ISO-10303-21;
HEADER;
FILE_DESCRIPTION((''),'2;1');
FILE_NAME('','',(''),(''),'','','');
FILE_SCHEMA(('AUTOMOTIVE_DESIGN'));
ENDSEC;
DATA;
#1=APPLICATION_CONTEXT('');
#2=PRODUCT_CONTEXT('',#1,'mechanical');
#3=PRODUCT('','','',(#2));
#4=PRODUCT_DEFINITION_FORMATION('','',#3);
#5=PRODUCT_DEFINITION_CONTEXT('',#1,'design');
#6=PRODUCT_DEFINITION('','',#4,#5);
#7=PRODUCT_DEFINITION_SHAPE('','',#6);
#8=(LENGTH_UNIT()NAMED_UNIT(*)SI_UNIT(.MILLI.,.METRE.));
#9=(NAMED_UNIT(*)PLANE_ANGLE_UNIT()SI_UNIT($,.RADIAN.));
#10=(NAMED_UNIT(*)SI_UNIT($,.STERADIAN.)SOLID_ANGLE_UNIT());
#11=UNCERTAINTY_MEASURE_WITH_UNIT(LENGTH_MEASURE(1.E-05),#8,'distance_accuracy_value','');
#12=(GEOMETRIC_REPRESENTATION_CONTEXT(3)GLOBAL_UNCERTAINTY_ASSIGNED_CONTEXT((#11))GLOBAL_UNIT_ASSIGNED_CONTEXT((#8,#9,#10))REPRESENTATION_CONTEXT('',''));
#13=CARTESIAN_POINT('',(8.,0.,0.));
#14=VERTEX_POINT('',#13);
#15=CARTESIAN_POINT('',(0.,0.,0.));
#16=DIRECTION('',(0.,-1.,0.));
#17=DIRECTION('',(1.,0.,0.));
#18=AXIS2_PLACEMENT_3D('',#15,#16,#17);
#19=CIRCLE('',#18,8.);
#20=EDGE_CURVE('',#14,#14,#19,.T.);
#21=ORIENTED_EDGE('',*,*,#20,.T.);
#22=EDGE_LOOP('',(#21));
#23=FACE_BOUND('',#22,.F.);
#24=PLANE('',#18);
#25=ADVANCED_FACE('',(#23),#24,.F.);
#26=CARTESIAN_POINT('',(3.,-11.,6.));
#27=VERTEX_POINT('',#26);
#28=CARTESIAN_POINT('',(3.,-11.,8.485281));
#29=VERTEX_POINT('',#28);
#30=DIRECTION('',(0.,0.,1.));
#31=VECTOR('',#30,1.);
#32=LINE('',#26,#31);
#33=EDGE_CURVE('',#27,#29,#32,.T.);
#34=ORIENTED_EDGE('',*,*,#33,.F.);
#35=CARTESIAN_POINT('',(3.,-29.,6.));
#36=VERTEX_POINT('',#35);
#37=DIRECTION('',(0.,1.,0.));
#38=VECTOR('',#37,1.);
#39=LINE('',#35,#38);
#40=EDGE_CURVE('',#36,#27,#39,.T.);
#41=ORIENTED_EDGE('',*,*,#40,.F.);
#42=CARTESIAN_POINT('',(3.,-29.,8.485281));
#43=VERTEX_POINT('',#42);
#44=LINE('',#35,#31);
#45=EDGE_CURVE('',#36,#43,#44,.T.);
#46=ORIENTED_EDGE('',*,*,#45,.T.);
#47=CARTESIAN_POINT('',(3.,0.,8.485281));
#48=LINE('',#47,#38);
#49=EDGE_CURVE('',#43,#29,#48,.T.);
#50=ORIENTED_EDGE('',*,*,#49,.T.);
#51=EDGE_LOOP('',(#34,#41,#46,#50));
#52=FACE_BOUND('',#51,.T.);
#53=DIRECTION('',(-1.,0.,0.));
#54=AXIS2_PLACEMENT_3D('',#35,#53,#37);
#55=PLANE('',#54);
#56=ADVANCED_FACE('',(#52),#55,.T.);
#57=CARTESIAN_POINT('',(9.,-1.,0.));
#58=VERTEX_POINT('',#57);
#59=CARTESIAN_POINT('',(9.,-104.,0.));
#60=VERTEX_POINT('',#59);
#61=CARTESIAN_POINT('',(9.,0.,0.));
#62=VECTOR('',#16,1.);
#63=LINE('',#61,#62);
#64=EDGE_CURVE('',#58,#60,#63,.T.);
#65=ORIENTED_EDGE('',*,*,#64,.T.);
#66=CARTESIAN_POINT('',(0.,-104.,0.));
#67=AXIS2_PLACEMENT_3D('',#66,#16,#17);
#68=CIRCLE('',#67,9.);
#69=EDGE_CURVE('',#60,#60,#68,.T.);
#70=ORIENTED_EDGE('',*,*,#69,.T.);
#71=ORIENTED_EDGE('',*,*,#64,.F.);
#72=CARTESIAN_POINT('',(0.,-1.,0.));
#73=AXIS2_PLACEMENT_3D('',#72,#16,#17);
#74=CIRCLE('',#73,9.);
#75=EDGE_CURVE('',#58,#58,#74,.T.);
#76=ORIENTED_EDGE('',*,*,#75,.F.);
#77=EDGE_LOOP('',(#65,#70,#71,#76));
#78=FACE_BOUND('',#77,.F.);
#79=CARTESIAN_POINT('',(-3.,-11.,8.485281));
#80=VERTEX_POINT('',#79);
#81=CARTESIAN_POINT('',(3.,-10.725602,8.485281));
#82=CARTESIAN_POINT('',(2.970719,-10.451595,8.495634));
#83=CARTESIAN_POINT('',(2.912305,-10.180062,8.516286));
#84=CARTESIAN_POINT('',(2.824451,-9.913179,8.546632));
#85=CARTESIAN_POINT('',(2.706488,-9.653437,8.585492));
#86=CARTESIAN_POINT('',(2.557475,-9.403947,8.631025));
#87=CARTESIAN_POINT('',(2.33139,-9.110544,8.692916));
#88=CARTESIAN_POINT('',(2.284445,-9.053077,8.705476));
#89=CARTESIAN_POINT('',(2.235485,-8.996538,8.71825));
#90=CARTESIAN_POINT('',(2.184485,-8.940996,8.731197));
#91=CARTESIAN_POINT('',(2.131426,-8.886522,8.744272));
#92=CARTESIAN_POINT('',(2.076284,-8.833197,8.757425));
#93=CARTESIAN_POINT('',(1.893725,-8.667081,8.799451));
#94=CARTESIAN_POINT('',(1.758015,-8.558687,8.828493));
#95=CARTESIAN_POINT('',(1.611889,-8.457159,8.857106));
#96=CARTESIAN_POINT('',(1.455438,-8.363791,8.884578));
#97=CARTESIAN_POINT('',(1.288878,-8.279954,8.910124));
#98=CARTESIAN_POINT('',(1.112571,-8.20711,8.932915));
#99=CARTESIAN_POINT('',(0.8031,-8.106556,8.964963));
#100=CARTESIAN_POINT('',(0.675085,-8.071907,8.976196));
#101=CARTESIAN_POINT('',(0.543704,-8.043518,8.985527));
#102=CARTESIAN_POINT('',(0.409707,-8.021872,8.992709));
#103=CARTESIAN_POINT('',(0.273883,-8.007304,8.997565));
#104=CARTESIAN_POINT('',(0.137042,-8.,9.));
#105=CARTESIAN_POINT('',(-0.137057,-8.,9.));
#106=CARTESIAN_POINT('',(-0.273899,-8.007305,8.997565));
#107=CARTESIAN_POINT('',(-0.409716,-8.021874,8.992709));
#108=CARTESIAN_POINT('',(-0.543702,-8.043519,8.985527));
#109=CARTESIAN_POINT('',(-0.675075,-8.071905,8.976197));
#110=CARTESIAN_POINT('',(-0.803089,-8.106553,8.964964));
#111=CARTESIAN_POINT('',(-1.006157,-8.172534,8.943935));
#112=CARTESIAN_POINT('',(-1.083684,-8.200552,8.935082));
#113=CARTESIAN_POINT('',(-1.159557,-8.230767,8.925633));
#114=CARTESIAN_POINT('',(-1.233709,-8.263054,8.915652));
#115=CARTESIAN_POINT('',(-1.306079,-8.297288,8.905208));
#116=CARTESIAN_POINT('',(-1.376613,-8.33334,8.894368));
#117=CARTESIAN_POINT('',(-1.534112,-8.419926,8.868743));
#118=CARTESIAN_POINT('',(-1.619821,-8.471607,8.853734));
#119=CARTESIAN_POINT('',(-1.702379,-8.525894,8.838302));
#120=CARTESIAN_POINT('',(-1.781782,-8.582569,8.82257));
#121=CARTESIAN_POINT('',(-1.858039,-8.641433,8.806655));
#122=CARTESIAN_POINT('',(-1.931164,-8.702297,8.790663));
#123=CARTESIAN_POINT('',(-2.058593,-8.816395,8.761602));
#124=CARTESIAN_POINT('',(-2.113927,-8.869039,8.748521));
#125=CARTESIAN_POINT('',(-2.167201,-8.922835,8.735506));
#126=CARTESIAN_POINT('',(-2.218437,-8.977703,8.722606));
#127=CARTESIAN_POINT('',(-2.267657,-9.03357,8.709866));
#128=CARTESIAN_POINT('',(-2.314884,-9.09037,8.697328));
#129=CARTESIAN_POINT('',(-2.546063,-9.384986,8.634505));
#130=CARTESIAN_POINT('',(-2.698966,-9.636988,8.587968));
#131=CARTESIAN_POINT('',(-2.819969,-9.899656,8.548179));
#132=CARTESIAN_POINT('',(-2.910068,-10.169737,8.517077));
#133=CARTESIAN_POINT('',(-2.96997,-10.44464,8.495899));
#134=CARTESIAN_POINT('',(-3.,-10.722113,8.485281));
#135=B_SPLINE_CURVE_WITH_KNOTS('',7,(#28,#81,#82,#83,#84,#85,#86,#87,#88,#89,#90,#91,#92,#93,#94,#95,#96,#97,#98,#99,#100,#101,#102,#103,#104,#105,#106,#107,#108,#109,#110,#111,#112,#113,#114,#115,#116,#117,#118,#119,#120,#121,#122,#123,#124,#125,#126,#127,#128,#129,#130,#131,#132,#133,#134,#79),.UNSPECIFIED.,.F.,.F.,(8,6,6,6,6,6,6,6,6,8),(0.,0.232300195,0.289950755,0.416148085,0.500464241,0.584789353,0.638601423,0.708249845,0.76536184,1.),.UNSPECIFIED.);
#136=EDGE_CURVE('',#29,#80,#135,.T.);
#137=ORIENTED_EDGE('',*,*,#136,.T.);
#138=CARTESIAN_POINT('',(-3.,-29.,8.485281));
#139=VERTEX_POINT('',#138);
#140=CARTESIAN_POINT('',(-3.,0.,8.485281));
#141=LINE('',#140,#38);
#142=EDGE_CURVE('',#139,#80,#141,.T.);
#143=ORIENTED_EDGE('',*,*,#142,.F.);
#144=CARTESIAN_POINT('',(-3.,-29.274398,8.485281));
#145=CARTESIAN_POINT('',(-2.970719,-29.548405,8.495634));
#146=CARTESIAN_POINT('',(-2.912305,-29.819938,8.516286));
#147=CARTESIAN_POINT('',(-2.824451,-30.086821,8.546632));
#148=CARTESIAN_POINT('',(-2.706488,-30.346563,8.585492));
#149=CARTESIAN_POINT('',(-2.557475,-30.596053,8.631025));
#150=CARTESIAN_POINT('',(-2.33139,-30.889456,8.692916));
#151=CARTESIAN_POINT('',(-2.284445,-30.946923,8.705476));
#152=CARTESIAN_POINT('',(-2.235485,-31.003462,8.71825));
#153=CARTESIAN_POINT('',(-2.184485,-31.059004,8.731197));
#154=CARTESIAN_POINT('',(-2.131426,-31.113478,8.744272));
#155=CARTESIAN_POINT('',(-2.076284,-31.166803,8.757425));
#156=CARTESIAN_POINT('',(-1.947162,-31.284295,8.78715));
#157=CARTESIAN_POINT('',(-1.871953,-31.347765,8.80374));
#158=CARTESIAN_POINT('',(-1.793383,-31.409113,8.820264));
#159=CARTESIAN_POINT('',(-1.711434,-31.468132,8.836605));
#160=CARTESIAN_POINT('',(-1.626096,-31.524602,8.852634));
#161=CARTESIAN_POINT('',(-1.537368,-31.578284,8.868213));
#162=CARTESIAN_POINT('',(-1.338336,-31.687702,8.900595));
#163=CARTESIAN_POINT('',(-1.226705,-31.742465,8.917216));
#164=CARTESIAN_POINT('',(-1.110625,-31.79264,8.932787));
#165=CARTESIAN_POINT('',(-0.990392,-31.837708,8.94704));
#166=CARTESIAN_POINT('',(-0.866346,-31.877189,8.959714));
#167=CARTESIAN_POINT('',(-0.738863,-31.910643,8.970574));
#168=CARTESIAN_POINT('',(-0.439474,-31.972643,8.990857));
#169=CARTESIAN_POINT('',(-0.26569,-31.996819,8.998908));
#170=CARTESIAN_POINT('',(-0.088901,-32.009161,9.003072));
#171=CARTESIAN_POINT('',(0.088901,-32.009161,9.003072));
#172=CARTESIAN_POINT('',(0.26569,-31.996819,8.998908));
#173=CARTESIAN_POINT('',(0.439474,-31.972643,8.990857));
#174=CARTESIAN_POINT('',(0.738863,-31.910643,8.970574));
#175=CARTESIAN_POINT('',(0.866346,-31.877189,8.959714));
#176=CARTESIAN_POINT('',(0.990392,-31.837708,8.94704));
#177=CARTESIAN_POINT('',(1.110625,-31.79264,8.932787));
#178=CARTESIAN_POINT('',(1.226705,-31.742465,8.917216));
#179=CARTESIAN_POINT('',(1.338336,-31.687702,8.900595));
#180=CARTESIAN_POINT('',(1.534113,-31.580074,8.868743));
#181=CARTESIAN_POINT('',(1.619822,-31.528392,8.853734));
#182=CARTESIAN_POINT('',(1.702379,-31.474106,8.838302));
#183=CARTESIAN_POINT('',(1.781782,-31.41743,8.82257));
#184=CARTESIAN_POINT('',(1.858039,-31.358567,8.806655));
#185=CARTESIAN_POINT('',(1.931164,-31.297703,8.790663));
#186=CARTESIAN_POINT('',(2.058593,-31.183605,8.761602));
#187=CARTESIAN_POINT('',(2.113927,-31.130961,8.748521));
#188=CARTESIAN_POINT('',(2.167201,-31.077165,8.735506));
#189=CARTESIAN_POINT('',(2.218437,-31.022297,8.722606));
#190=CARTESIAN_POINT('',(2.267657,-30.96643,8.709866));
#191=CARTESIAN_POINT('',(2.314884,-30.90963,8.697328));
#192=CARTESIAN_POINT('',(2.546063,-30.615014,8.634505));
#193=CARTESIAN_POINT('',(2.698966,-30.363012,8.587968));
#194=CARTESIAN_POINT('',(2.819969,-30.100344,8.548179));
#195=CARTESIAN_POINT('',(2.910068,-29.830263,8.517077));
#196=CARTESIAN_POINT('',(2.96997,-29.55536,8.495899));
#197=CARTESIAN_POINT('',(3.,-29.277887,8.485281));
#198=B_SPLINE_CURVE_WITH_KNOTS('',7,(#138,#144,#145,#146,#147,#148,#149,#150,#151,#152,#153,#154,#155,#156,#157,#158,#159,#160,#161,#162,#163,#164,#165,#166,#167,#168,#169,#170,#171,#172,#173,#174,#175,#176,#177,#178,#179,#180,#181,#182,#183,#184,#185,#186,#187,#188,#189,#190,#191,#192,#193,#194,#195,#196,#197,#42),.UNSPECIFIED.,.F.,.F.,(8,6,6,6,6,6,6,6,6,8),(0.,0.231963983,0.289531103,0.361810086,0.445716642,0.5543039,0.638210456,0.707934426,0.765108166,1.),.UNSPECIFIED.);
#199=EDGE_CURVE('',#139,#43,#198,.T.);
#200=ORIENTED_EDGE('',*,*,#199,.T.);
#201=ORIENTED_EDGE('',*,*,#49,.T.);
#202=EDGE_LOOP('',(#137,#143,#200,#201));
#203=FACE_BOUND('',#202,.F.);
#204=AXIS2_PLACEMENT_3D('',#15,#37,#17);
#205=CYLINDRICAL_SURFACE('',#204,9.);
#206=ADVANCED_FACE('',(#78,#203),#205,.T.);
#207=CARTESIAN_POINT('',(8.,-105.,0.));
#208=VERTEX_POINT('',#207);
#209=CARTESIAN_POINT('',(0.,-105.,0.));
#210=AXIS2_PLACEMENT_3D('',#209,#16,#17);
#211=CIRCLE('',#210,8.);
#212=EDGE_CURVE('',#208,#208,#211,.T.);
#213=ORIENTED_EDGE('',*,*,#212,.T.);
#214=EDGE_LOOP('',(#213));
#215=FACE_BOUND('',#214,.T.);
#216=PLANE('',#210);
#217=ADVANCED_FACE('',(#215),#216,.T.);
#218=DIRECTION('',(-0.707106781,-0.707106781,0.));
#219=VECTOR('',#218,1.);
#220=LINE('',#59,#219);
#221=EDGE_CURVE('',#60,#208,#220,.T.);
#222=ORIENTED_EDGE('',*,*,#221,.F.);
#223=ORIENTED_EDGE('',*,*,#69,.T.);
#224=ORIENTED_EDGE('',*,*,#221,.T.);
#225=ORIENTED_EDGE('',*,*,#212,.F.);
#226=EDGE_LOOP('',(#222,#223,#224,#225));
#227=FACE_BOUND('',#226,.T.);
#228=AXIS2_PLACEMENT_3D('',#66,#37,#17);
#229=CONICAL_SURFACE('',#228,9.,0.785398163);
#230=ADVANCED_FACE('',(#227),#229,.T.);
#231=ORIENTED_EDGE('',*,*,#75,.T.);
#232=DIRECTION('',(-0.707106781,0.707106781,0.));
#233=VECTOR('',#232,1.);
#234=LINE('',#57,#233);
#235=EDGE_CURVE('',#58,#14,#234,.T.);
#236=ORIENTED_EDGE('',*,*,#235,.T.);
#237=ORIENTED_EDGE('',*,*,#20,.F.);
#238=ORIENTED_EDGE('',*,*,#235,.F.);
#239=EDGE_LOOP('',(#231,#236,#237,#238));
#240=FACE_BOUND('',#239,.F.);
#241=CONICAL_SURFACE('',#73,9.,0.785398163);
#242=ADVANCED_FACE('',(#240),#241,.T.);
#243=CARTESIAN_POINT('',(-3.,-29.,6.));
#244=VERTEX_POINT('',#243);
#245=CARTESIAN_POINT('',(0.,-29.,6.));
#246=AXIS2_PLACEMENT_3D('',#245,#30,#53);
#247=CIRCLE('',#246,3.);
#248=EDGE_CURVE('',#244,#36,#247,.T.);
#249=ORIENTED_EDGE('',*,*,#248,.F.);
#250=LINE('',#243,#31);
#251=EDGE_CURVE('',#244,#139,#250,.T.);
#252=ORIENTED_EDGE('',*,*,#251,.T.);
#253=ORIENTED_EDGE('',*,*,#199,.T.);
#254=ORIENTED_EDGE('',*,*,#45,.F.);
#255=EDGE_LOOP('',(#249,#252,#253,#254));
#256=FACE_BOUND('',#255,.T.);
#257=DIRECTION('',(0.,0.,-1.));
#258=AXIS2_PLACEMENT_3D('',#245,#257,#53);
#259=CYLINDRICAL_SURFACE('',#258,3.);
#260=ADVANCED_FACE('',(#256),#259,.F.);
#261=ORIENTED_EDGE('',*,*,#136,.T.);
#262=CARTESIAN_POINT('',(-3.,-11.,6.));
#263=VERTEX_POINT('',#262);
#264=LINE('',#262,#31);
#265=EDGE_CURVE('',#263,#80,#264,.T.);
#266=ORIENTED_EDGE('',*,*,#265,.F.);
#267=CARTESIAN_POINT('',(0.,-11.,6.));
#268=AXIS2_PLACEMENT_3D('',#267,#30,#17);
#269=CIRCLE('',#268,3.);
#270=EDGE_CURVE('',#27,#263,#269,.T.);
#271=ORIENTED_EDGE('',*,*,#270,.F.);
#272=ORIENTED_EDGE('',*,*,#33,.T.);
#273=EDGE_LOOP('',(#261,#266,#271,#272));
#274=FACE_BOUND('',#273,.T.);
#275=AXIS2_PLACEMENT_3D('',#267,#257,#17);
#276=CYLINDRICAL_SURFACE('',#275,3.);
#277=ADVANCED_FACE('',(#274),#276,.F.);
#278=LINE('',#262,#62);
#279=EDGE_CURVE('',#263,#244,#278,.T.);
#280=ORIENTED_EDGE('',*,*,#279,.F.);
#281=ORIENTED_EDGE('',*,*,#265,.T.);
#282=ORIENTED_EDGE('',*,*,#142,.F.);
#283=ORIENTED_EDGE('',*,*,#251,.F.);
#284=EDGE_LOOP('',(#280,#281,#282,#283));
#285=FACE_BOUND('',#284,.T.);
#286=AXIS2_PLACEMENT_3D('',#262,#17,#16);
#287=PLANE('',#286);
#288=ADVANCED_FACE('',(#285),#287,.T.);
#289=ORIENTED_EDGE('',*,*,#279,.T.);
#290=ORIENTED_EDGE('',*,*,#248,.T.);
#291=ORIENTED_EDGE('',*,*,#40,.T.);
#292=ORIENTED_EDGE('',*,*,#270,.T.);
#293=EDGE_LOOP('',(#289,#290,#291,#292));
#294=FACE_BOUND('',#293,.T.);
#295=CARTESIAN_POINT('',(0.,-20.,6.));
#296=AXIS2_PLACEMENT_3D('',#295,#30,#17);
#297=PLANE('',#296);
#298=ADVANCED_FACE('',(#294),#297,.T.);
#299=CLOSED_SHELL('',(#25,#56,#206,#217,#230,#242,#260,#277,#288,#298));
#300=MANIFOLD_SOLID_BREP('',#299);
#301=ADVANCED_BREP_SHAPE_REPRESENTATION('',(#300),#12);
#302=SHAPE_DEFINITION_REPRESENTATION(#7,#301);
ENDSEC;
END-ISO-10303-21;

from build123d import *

# Parameters (mm, degrees)
F0_R     = 9
F1_DEPTH = 105
F2_SIZE  = 1
F5_DEPTH = 25


with BuildPart() as f1:
    # F0 (on Front) → F1 (new body)
    with BuildSketch(Plane.XZ):
        Circle(F0_R)
    extrude(amount=F1_DEPTH)

    # F2
    f2_edges = [f1.edges().sort_by_distance(p)[0] for p in [
        (9, -52.5, 0),
        (-9, 0, 0),
        (-9, -105, 0),
    ]]
    chamfer(f2_edges, length=F2_SIZE)

    # F4 (on offset) → F5 (cut)
    with BuildSketch(Plane.XY.offset(6)):
        with BuildLine():
            Line((3, -29), (3, -11))
            ThreePointArc((3, -11), (0, -8), (-3, -11))
            Line((-3, -11), (-3, -29))
            ThreePointArc((-3, -29), (0, -32), (3, -29))
        make_face()
    extrude(amount=F5_DEPTH, mode=Mode.SUBTRACT)


solid = f1.part
